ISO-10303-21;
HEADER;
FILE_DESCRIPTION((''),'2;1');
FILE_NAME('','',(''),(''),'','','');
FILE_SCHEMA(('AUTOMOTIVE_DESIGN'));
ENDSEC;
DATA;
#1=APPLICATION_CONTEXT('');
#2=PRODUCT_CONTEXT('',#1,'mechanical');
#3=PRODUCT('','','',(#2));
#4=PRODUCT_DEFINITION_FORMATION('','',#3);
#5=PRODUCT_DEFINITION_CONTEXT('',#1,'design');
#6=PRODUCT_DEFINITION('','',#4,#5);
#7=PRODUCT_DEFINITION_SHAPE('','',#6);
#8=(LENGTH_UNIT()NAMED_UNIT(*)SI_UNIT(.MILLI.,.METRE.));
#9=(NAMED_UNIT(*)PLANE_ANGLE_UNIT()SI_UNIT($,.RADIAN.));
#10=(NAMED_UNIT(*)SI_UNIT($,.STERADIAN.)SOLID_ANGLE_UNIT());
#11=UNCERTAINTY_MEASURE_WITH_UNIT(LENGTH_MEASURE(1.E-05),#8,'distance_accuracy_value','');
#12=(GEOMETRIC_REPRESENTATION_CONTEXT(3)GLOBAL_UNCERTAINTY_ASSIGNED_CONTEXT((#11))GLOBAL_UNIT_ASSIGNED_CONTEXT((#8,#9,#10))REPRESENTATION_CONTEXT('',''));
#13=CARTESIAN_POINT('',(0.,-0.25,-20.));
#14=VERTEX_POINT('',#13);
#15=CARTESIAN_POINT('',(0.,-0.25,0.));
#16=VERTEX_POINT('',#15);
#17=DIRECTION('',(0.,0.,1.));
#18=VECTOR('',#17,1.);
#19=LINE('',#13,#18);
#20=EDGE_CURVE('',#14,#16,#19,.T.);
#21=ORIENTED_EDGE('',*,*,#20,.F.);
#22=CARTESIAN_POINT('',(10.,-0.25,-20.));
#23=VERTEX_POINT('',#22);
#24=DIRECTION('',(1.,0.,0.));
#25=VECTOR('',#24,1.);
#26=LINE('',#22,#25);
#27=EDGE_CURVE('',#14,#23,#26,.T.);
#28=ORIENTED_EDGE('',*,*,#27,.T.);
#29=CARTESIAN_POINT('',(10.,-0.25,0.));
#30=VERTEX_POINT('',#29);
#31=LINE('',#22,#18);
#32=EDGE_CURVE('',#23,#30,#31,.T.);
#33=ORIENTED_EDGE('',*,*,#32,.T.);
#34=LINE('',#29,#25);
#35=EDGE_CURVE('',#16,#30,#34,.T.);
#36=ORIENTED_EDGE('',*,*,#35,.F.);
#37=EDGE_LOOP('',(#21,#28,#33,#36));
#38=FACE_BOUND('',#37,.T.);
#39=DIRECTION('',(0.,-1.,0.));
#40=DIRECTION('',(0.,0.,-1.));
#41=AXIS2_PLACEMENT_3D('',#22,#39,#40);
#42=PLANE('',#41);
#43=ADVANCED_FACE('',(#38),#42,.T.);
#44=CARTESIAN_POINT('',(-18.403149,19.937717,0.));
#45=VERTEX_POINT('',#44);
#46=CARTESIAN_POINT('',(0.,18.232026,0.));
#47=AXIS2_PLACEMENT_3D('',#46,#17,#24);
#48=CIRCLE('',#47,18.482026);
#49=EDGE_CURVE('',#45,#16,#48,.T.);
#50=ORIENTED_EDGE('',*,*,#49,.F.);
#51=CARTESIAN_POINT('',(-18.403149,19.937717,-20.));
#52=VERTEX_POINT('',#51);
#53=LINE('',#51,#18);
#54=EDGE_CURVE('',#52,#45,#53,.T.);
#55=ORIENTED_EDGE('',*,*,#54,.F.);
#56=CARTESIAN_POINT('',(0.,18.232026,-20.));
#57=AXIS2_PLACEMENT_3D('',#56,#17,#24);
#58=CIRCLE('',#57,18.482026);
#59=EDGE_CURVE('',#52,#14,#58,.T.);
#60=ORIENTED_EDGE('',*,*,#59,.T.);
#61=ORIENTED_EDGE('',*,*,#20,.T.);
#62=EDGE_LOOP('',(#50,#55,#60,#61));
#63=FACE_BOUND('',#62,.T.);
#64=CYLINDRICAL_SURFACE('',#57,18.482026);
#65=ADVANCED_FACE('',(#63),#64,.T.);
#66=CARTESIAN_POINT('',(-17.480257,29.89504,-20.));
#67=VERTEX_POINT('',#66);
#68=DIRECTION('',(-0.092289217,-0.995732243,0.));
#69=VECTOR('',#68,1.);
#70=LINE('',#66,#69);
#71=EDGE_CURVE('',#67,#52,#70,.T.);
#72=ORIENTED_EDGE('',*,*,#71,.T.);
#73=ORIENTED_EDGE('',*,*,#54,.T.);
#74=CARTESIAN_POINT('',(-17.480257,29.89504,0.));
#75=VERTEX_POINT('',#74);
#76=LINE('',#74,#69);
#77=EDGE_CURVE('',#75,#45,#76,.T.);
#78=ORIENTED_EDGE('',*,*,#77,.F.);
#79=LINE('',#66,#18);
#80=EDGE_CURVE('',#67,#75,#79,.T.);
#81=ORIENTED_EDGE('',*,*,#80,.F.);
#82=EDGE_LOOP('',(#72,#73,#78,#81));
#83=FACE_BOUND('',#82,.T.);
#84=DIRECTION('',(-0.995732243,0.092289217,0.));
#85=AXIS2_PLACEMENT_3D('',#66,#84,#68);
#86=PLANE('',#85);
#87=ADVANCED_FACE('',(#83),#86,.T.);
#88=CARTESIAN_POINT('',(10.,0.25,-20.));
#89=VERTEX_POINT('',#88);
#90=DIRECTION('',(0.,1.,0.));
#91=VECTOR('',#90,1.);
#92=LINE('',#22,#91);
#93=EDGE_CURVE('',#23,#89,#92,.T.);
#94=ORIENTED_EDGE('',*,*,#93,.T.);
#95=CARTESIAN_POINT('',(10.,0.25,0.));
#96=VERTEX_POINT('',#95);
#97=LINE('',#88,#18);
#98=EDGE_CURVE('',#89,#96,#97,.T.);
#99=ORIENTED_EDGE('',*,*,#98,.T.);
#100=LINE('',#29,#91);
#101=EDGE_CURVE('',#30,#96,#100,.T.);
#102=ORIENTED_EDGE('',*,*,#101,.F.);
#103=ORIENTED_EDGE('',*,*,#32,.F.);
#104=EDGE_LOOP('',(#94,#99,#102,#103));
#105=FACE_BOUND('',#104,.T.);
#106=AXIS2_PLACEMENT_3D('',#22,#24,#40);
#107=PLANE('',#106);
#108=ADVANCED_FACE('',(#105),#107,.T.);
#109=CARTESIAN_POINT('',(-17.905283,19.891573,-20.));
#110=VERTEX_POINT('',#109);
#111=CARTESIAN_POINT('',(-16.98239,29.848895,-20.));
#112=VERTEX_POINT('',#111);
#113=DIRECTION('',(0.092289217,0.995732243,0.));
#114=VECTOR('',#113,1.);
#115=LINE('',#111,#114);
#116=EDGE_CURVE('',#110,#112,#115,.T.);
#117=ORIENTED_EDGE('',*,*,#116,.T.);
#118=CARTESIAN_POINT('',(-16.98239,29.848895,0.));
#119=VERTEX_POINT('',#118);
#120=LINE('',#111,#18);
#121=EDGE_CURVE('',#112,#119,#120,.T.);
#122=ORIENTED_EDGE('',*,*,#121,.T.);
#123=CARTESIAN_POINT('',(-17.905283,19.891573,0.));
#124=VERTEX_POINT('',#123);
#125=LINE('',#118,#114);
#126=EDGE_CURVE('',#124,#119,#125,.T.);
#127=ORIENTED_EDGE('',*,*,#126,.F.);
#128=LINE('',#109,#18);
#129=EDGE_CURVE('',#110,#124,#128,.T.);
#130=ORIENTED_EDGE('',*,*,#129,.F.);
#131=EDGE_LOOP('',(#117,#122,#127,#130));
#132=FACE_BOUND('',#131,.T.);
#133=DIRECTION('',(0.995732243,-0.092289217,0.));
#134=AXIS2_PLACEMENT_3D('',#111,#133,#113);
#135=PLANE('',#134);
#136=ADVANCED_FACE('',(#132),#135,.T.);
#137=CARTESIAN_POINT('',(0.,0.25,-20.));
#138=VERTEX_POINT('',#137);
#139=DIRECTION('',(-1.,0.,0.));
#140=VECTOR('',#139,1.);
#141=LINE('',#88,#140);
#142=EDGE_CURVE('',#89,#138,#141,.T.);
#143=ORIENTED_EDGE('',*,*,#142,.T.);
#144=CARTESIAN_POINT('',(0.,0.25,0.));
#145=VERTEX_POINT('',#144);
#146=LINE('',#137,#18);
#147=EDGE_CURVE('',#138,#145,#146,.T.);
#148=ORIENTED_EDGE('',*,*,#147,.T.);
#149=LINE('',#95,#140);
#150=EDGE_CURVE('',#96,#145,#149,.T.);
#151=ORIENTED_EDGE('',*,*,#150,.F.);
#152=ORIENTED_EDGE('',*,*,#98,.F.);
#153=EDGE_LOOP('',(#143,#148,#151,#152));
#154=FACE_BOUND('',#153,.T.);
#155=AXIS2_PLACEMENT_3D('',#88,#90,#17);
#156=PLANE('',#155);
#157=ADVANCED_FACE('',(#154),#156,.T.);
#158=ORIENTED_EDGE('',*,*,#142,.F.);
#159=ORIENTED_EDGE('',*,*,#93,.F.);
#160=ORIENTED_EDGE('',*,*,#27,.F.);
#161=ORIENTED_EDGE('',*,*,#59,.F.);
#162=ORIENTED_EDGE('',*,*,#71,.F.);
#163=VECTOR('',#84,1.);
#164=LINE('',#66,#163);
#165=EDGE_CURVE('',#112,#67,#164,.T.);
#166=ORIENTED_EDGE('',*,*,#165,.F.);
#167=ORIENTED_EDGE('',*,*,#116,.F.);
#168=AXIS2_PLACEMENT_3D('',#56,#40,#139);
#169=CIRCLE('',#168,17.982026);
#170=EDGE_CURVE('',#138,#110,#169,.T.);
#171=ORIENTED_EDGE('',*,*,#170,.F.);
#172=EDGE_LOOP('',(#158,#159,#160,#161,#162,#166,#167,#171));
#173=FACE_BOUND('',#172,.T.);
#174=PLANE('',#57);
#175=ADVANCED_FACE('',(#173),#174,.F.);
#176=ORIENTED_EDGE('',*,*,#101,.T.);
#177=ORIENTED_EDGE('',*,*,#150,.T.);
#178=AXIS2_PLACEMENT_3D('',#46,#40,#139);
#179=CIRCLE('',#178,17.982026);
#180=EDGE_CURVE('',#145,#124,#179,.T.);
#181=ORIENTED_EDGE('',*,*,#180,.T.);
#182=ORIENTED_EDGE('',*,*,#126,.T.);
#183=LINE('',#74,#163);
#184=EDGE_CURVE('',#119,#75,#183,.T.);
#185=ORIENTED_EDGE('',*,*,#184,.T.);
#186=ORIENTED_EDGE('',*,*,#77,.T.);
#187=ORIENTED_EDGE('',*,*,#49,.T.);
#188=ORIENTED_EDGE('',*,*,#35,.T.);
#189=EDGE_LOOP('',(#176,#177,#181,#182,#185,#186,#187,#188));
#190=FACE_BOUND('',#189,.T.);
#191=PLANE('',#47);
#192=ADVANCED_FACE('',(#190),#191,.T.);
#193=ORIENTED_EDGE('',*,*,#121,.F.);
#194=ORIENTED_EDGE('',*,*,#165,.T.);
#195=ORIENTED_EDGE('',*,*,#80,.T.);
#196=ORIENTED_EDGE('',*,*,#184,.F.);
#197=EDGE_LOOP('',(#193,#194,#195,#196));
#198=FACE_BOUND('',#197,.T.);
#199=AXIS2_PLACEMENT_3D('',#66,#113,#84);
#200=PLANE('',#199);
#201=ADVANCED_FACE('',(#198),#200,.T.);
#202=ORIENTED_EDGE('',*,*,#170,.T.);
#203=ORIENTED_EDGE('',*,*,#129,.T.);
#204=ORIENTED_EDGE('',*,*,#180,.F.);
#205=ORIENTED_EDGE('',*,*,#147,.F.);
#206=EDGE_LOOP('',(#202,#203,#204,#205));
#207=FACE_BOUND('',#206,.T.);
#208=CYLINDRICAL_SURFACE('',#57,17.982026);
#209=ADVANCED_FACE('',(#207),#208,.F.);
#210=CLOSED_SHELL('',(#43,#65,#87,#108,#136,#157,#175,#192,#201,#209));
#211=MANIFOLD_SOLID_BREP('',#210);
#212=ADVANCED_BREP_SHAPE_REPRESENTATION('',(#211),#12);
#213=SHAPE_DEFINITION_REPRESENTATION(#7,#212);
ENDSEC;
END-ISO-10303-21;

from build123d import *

# Parameters (mm, degrees)
BOSS_EXTRUDE1_DEPTH = 20


with BuildPart() as part:
    # Sketch1 → Boss-Extrude1 (new body)
    with BuildSketch(Plane.XY):
        with BuildLine():
            Line((10, -0.25), (10, 0.25))
            Line((10, 0.25), (0, 0.25))
            ThreePointArc((0, 0.25), (-13.289004078, 6.117752441), (-17.905282596, 19.891572562))
            Line((-17.905282596, 19.891572562), (-16.982390424, 29.848894995))
            Line((-16.982390424, 29.848894995), (-17.480256546, 29.895039604))
            Line((-17.480256546, 29.895039604), (-18.403148718, 19.937717171))
            ThreePointArc((-18.403148718, 19.937717171), (-13.658512065, 5.780908489), (0, -0.25))
            Line((0, -0.25), (10, -0.25))
        make_face()
    extrude(amount=-BOSS_EXTRUDE1_DEPTH)


solid = part.part
